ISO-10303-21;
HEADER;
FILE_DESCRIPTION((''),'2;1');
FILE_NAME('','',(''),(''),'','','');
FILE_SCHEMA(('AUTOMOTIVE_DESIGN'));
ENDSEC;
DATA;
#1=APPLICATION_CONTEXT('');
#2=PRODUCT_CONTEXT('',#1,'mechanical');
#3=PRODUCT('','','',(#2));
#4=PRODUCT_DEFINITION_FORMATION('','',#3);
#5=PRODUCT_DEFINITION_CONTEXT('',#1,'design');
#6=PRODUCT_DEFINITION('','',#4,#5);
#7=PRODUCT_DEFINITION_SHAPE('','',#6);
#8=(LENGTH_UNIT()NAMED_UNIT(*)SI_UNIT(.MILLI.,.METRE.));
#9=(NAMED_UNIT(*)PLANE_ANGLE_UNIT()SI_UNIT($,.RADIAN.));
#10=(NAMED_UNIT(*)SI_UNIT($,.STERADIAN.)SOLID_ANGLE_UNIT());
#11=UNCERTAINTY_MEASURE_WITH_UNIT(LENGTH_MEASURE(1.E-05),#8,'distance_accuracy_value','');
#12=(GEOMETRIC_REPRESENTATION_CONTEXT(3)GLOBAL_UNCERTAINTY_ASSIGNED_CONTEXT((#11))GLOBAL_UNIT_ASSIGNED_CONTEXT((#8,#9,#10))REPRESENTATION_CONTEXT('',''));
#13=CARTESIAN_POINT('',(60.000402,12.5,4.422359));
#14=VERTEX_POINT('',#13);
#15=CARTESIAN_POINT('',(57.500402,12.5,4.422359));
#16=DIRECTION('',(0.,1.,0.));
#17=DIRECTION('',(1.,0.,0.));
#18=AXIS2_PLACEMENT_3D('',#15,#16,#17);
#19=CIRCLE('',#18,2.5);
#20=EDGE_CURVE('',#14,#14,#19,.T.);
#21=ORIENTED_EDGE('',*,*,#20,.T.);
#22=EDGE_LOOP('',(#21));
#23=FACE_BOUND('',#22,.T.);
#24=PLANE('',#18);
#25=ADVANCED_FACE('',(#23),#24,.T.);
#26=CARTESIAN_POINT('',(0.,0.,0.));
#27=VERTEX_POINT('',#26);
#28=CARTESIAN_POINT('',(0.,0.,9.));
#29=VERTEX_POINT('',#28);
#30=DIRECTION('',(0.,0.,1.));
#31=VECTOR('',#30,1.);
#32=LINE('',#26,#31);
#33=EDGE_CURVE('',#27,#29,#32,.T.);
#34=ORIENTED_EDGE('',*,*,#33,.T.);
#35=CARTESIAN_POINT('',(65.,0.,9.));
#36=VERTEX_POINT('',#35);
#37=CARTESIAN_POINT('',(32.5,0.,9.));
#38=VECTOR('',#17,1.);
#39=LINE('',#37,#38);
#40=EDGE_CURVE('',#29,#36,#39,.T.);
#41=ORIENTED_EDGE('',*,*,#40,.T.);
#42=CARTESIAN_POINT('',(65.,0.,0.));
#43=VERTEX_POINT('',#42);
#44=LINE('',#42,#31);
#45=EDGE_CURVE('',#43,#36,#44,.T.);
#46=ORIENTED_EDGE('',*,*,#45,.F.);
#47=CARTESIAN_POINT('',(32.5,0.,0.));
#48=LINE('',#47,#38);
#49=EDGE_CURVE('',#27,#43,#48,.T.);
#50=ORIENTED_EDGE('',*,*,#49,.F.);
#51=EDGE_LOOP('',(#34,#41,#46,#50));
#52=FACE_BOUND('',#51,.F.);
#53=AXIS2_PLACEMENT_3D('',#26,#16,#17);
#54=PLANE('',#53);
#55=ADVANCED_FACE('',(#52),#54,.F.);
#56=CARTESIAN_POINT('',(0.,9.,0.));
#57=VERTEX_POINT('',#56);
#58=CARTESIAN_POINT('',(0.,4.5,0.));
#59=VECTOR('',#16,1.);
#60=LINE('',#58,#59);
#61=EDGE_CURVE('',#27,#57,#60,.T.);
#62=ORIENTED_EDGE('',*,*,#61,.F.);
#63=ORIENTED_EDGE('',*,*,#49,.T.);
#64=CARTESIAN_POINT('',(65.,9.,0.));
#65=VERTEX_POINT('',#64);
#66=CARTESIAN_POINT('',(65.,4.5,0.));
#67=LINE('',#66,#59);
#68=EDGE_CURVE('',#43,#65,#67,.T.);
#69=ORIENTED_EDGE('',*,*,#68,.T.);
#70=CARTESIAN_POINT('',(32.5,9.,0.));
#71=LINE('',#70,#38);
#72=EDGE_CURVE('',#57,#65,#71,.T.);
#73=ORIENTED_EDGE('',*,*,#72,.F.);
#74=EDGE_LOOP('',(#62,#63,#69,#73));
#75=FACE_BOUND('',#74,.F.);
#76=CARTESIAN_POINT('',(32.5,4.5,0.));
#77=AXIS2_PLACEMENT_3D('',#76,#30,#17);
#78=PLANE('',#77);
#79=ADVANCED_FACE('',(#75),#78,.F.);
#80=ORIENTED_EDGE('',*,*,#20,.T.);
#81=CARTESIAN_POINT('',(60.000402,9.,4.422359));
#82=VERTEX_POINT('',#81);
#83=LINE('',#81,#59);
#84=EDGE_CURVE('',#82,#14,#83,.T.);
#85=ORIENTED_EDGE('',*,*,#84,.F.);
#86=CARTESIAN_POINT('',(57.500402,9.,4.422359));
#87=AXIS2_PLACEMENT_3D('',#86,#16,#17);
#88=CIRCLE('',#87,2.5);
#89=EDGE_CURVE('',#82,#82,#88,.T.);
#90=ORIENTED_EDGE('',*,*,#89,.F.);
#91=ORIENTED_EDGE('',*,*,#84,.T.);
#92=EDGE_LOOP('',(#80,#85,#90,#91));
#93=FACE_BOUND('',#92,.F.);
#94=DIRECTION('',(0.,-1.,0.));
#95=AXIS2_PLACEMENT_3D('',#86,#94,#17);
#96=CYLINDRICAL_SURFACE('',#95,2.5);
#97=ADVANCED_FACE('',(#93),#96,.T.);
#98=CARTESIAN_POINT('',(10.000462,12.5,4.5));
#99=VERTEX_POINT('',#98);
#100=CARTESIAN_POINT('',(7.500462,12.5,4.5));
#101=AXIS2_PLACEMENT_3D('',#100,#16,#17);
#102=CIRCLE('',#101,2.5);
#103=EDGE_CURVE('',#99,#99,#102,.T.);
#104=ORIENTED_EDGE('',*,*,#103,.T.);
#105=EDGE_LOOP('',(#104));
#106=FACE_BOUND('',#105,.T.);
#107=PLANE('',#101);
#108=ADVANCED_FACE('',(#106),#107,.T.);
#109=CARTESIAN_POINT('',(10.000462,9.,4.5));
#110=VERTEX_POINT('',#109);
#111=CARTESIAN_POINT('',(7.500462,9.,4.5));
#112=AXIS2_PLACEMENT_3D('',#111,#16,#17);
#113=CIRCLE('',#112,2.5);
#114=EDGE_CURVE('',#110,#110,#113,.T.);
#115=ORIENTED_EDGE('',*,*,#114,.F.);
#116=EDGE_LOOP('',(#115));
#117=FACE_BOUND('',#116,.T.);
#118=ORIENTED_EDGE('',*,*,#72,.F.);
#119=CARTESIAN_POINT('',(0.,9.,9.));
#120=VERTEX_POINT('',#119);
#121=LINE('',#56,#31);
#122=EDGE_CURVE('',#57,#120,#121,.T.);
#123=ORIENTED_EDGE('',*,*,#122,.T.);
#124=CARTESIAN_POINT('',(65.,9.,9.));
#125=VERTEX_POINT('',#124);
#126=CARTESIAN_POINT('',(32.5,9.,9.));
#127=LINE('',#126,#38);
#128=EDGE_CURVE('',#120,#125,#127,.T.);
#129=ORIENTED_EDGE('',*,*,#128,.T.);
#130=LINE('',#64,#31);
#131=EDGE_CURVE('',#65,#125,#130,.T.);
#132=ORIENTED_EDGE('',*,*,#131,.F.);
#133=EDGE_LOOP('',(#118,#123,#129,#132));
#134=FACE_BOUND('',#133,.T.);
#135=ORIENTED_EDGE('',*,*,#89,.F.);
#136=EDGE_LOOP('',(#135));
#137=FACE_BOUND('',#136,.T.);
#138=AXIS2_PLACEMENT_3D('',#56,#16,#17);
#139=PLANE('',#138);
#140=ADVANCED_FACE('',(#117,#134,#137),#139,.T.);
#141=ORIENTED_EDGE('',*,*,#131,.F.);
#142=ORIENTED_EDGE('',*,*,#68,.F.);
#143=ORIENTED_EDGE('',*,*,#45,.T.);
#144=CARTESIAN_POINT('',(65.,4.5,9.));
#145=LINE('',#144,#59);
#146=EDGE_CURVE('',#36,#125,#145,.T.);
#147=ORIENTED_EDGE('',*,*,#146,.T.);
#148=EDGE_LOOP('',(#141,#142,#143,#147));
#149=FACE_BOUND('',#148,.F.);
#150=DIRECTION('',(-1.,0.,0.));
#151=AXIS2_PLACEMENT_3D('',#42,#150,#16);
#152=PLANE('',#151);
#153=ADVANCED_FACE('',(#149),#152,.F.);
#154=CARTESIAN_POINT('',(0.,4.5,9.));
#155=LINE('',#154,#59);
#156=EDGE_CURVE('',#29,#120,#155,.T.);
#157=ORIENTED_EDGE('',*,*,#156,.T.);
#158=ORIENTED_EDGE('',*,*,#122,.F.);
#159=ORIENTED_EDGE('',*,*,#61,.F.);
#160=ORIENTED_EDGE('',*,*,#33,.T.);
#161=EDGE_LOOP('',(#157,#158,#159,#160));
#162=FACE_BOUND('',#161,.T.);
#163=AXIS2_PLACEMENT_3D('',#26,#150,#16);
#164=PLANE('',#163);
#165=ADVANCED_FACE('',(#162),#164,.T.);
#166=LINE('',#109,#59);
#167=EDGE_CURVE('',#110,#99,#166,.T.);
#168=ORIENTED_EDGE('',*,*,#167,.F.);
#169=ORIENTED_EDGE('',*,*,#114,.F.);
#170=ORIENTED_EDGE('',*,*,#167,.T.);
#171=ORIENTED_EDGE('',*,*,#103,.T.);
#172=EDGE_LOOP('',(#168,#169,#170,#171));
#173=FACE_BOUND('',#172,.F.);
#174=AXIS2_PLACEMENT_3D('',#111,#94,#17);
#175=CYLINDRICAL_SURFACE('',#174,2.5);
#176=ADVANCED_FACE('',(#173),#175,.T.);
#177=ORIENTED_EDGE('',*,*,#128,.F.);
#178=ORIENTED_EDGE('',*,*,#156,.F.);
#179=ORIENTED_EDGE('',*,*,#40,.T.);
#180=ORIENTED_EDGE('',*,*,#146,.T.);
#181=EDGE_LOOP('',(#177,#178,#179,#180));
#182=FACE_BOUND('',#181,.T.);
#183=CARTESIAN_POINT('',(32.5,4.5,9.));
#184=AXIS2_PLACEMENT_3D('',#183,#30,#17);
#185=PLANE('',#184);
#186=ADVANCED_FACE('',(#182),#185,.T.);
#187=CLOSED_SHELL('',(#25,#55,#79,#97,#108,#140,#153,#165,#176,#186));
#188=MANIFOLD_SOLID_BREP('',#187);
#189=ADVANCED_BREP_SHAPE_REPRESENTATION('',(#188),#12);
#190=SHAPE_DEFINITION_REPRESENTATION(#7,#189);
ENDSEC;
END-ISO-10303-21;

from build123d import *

# Parameters (mm, degrees)
SKETCH1_W           = 65
SKETCH1_H           = 9
BOSS_EXTRUDE1_DEPTH = 9
SKETCH2_R           = 2.5
BOSS_EXTRUDE2_DEPTH = 3.5


with BuildPart() as part:
    # Sketch1 → Boss-Extrude1 (new body)
    with BuildSketch(Plane.XY):
        with Locations((32.5, 4.5)):
            Rectangle(SKETCH1_W, SKETCH1_H)
    extrude(amount=BOSS_EXTRUDE1_DEPTH)

    # Sketch2 → Boss-Extrude2 (add)
    with BuildSketch(Plane(origin=(0, 9, 0), x_dir=(1, 0, 0), z_dir=(0, 1, 0))):
        with Locations((7.500462168, -4.5)):
            Circle(SKETCH2_R)
        with Locations((57.500401887, -4.422358915)):
            Circle(SKETCH2_R)
    extrude(amount=BOSS_EXTRUDE2_DEPTH)


solid = part.part
